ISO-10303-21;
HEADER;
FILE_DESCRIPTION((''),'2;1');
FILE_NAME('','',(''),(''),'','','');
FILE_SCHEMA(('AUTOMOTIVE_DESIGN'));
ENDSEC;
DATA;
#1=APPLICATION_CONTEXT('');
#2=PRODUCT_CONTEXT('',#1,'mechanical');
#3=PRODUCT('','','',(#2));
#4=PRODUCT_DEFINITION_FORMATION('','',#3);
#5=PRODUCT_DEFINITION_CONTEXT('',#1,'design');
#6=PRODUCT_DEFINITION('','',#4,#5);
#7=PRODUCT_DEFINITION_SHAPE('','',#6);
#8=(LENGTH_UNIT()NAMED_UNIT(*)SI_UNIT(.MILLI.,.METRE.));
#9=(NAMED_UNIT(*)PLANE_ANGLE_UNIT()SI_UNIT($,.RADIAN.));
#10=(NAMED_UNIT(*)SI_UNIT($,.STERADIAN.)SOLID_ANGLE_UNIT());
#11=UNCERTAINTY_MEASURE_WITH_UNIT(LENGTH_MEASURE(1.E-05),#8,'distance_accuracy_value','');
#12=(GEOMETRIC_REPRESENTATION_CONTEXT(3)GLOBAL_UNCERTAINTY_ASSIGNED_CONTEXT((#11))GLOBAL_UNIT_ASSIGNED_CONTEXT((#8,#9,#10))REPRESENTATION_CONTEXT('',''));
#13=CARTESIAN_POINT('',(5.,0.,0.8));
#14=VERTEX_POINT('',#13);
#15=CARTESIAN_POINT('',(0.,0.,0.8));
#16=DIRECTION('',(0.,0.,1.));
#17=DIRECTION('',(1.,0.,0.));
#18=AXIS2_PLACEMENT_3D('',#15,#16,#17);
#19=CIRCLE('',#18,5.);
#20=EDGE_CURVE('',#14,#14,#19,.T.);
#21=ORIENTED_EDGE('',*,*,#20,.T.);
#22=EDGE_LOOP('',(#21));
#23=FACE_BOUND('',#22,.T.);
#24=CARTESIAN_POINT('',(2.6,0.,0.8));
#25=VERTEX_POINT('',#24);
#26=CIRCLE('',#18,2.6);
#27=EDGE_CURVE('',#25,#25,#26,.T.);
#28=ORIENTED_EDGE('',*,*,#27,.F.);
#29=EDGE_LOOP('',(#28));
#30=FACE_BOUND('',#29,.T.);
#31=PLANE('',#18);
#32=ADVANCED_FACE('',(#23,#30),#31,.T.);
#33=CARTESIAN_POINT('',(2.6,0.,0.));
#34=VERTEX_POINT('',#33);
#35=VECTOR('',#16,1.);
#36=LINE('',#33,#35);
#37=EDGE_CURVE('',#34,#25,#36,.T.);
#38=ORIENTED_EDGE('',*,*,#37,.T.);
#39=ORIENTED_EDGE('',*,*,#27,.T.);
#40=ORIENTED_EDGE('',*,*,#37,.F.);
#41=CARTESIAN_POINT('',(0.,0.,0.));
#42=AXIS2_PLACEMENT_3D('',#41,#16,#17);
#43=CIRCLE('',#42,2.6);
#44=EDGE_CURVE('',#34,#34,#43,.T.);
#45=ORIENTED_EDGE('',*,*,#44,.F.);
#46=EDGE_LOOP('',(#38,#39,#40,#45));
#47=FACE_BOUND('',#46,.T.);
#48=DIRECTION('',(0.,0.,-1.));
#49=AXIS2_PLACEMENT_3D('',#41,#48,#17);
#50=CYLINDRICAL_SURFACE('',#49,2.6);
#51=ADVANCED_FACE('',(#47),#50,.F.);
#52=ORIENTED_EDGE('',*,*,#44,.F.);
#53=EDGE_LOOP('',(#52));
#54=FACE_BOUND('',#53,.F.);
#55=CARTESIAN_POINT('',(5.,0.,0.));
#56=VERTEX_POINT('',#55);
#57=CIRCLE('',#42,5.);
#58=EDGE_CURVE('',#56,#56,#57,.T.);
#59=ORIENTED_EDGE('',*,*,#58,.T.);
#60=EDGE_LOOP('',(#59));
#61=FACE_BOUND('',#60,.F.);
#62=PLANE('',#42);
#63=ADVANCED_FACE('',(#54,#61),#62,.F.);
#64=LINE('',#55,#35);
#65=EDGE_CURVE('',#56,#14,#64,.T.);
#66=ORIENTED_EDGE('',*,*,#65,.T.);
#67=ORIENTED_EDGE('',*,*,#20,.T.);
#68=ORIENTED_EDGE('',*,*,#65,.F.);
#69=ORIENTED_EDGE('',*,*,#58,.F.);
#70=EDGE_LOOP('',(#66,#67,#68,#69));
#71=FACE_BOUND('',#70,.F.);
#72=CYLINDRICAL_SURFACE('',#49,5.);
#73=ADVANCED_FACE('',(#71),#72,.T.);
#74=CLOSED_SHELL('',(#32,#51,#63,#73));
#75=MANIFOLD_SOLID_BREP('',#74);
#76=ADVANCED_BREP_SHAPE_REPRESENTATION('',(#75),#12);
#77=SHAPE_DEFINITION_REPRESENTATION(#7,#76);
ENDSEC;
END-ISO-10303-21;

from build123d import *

# Parameters (mm, degrees)
SKETCH_R   = 5
SKETCH_R_2 = 2.6
PAD_DEPTH  = 0.8


with BuildPart() as part:
    # Sketch → Pad (new body)
    with BuildSketch(Plane.XY):
        Circle(SKETCH_R)
        Circle(SKETCH_R_2, mode=Mode.SUBTRACT)
    extrude(amount=PAD_DEPTH)


solid = part.part
